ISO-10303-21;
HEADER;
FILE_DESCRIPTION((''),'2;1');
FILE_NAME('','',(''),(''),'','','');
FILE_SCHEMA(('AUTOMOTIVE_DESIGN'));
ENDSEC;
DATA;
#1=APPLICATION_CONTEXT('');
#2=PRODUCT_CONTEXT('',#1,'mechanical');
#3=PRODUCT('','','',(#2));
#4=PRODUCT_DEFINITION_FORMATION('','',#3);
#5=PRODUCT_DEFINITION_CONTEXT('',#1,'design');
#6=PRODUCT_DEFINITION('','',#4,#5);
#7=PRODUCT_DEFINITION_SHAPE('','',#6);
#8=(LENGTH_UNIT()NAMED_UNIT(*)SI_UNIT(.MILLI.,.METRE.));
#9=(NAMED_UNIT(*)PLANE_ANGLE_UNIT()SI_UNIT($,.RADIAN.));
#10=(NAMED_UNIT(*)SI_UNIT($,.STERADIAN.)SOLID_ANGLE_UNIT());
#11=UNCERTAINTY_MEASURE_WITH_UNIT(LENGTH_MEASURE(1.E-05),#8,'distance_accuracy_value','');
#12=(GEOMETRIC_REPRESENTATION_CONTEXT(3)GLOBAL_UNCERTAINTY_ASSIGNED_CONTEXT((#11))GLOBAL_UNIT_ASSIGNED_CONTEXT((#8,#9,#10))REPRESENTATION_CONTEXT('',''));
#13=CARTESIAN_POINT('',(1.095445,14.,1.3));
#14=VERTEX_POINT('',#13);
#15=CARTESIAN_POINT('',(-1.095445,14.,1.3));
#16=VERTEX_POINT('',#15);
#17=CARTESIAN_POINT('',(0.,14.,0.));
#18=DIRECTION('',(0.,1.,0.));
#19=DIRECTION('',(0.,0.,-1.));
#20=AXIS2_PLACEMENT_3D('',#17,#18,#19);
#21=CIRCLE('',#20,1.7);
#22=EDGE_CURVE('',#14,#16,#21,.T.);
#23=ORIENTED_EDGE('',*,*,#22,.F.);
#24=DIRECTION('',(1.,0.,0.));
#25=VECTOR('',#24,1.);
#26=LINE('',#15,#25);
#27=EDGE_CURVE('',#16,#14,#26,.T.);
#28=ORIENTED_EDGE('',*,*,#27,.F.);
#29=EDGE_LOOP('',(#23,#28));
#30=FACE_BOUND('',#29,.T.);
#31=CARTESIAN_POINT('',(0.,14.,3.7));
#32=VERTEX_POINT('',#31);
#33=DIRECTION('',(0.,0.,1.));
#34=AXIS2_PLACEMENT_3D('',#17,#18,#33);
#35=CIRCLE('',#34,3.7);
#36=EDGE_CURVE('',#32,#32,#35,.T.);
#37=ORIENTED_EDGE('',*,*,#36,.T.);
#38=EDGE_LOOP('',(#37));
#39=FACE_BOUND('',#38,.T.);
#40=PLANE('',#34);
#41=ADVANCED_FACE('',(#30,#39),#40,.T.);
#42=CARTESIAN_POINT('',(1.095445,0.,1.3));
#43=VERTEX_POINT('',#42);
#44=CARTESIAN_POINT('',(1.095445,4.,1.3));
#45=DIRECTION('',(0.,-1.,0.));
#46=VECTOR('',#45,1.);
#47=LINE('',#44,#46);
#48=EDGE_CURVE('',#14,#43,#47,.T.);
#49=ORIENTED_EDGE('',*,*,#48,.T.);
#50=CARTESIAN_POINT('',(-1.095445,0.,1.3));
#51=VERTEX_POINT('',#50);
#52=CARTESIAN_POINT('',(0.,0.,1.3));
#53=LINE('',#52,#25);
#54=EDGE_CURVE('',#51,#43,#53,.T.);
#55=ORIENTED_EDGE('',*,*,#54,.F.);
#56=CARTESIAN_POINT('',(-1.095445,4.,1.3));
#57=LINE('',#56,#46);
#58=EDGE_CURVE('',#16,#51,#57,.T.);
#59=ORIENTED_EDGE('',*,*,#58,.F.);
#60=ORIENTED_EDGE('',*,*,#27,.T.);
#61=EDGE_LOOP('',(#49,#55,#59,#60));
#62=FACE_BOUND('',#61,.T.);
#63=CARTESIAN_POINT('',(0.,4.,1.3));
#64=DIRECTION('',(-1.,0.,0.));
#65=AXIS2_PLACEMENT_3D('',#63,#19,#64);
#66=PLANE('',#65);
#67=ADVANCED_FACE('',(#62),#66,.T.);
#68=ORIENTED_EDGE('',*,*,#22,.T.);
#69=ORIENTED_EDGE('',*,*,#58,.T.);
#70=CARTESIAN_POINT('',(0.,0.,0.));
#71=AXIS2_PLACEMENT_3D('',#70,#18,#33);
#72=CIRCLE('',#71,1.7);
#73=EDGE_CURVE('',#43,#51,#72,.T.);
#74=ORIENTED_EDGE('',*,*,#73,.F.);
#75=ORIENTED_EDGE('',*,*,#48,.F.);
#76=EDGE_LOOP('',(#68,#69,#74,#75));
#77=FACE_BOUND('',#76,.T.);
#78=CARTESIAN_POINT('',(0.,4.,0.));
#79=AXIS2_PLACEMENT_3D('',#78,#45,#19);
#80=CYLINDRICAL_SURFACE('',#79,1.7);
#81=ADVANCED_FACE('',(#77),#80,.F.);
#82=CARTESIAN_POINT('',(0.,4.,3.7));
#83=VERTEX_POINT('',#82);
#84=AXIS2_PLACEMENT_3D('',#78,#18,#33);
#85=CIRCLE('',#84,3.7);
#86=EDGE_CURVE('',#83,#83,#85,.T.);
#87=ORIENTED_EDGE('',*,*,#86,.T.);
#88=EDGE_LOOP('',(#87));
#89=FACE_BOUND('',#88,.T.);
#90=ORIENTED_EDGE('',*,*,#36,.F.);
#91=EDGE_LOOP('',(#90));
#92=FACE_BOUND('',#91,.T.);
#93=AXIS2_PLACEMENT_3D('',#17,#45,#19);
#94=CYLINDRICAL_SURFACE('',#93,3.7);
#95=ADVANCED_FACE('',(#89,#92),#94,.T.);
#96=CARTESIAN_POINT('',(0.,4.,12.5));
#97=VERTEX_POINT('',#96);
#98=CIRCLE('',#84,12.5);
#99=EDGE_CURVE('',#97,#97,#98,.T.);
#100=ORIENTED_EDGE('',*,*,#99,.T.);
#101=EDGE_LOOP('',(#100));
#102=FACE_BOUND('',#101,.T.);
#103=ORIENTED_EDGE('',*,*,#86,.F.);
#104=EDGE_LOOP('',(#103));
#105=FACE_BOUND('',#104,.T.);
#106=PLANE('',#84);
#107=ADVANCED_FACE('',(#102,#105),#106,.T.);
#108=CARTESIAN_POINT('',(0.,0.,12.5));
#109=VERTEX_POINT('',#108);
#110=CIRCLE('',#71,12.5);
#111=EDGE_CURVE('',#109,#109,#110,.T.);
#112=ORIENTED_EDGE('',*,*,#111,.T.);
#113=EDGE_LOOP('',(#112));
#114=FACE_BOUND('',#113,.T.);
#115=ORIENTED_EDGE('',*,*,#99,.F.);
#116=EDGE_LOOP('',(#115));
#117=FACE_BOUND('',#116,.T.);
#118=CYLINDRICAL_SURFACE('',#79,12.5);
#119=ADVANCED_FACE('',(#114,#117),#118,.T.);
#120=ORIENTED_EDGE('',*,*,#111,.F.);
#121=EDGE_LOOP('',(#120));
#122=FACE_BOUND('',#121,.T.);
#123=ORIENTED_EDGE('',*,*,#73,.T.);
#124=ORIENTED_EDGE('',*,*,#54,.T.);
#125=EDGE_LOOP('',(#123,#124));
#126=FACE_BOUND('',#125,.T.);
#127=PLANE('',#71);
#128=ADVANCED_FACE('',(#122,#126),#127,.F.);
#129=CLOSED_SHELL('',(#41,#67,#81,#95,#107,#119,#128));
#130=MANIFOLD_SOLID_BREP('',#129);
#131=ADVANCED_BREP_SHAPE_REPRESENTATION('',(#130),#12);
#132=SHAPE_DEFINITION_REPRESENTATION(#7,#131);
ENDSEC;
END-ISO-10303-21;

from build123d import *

# Parameters (mm, degrees)
SKETCH1_R           = 12.5
BOSS_EXTRUDE1_DEPTH = 4
SKETCH2_R           = 3.7
BOSS_EXTRUDE2_DEPTH = 10


with BuildPart() as part:
    # Sketch1 → Boss-Extrude1 (new body)
    with BuildSketch(Plane(origin=(0, 0, 0), x_dir=(1, 0, 0), z_dir=(0, 1, 0))):
        Circle(SKETCH1_R)
        with BuildLine():
            Line((1.095445115, -1.3), (-1.095445115, -1.3))
            ThreePointArc((-1.095445115, -1.3), (0, 1.7), (1.095445115, -1.3))
        make_face(mode=Mode.SUBTRACT)
    extrude(amount=BOSS_EXTRUDE1_DEPTH)

    # Sketch2 → Boss-Extrude2 (add)
    with BuildSketch(Plane(origin=(0, 4, 0), x_dir=(1, 0, 0), z_dir=(0, 1, 0))):
        Circle(SKETCH2_R)
        with BuildLine():
            Line((-1.095445115, -1.3), (1.095445115, -1.3))
            ThreePointArc((1.095445115, -1.3), (0, 1.7), (-1.095445115, -1.3))
        make_face(mode=Mode.SUBTRACT)
    extrude(amount=BOSS_EXTRUDE2_DEPTH)


solid = part.part
